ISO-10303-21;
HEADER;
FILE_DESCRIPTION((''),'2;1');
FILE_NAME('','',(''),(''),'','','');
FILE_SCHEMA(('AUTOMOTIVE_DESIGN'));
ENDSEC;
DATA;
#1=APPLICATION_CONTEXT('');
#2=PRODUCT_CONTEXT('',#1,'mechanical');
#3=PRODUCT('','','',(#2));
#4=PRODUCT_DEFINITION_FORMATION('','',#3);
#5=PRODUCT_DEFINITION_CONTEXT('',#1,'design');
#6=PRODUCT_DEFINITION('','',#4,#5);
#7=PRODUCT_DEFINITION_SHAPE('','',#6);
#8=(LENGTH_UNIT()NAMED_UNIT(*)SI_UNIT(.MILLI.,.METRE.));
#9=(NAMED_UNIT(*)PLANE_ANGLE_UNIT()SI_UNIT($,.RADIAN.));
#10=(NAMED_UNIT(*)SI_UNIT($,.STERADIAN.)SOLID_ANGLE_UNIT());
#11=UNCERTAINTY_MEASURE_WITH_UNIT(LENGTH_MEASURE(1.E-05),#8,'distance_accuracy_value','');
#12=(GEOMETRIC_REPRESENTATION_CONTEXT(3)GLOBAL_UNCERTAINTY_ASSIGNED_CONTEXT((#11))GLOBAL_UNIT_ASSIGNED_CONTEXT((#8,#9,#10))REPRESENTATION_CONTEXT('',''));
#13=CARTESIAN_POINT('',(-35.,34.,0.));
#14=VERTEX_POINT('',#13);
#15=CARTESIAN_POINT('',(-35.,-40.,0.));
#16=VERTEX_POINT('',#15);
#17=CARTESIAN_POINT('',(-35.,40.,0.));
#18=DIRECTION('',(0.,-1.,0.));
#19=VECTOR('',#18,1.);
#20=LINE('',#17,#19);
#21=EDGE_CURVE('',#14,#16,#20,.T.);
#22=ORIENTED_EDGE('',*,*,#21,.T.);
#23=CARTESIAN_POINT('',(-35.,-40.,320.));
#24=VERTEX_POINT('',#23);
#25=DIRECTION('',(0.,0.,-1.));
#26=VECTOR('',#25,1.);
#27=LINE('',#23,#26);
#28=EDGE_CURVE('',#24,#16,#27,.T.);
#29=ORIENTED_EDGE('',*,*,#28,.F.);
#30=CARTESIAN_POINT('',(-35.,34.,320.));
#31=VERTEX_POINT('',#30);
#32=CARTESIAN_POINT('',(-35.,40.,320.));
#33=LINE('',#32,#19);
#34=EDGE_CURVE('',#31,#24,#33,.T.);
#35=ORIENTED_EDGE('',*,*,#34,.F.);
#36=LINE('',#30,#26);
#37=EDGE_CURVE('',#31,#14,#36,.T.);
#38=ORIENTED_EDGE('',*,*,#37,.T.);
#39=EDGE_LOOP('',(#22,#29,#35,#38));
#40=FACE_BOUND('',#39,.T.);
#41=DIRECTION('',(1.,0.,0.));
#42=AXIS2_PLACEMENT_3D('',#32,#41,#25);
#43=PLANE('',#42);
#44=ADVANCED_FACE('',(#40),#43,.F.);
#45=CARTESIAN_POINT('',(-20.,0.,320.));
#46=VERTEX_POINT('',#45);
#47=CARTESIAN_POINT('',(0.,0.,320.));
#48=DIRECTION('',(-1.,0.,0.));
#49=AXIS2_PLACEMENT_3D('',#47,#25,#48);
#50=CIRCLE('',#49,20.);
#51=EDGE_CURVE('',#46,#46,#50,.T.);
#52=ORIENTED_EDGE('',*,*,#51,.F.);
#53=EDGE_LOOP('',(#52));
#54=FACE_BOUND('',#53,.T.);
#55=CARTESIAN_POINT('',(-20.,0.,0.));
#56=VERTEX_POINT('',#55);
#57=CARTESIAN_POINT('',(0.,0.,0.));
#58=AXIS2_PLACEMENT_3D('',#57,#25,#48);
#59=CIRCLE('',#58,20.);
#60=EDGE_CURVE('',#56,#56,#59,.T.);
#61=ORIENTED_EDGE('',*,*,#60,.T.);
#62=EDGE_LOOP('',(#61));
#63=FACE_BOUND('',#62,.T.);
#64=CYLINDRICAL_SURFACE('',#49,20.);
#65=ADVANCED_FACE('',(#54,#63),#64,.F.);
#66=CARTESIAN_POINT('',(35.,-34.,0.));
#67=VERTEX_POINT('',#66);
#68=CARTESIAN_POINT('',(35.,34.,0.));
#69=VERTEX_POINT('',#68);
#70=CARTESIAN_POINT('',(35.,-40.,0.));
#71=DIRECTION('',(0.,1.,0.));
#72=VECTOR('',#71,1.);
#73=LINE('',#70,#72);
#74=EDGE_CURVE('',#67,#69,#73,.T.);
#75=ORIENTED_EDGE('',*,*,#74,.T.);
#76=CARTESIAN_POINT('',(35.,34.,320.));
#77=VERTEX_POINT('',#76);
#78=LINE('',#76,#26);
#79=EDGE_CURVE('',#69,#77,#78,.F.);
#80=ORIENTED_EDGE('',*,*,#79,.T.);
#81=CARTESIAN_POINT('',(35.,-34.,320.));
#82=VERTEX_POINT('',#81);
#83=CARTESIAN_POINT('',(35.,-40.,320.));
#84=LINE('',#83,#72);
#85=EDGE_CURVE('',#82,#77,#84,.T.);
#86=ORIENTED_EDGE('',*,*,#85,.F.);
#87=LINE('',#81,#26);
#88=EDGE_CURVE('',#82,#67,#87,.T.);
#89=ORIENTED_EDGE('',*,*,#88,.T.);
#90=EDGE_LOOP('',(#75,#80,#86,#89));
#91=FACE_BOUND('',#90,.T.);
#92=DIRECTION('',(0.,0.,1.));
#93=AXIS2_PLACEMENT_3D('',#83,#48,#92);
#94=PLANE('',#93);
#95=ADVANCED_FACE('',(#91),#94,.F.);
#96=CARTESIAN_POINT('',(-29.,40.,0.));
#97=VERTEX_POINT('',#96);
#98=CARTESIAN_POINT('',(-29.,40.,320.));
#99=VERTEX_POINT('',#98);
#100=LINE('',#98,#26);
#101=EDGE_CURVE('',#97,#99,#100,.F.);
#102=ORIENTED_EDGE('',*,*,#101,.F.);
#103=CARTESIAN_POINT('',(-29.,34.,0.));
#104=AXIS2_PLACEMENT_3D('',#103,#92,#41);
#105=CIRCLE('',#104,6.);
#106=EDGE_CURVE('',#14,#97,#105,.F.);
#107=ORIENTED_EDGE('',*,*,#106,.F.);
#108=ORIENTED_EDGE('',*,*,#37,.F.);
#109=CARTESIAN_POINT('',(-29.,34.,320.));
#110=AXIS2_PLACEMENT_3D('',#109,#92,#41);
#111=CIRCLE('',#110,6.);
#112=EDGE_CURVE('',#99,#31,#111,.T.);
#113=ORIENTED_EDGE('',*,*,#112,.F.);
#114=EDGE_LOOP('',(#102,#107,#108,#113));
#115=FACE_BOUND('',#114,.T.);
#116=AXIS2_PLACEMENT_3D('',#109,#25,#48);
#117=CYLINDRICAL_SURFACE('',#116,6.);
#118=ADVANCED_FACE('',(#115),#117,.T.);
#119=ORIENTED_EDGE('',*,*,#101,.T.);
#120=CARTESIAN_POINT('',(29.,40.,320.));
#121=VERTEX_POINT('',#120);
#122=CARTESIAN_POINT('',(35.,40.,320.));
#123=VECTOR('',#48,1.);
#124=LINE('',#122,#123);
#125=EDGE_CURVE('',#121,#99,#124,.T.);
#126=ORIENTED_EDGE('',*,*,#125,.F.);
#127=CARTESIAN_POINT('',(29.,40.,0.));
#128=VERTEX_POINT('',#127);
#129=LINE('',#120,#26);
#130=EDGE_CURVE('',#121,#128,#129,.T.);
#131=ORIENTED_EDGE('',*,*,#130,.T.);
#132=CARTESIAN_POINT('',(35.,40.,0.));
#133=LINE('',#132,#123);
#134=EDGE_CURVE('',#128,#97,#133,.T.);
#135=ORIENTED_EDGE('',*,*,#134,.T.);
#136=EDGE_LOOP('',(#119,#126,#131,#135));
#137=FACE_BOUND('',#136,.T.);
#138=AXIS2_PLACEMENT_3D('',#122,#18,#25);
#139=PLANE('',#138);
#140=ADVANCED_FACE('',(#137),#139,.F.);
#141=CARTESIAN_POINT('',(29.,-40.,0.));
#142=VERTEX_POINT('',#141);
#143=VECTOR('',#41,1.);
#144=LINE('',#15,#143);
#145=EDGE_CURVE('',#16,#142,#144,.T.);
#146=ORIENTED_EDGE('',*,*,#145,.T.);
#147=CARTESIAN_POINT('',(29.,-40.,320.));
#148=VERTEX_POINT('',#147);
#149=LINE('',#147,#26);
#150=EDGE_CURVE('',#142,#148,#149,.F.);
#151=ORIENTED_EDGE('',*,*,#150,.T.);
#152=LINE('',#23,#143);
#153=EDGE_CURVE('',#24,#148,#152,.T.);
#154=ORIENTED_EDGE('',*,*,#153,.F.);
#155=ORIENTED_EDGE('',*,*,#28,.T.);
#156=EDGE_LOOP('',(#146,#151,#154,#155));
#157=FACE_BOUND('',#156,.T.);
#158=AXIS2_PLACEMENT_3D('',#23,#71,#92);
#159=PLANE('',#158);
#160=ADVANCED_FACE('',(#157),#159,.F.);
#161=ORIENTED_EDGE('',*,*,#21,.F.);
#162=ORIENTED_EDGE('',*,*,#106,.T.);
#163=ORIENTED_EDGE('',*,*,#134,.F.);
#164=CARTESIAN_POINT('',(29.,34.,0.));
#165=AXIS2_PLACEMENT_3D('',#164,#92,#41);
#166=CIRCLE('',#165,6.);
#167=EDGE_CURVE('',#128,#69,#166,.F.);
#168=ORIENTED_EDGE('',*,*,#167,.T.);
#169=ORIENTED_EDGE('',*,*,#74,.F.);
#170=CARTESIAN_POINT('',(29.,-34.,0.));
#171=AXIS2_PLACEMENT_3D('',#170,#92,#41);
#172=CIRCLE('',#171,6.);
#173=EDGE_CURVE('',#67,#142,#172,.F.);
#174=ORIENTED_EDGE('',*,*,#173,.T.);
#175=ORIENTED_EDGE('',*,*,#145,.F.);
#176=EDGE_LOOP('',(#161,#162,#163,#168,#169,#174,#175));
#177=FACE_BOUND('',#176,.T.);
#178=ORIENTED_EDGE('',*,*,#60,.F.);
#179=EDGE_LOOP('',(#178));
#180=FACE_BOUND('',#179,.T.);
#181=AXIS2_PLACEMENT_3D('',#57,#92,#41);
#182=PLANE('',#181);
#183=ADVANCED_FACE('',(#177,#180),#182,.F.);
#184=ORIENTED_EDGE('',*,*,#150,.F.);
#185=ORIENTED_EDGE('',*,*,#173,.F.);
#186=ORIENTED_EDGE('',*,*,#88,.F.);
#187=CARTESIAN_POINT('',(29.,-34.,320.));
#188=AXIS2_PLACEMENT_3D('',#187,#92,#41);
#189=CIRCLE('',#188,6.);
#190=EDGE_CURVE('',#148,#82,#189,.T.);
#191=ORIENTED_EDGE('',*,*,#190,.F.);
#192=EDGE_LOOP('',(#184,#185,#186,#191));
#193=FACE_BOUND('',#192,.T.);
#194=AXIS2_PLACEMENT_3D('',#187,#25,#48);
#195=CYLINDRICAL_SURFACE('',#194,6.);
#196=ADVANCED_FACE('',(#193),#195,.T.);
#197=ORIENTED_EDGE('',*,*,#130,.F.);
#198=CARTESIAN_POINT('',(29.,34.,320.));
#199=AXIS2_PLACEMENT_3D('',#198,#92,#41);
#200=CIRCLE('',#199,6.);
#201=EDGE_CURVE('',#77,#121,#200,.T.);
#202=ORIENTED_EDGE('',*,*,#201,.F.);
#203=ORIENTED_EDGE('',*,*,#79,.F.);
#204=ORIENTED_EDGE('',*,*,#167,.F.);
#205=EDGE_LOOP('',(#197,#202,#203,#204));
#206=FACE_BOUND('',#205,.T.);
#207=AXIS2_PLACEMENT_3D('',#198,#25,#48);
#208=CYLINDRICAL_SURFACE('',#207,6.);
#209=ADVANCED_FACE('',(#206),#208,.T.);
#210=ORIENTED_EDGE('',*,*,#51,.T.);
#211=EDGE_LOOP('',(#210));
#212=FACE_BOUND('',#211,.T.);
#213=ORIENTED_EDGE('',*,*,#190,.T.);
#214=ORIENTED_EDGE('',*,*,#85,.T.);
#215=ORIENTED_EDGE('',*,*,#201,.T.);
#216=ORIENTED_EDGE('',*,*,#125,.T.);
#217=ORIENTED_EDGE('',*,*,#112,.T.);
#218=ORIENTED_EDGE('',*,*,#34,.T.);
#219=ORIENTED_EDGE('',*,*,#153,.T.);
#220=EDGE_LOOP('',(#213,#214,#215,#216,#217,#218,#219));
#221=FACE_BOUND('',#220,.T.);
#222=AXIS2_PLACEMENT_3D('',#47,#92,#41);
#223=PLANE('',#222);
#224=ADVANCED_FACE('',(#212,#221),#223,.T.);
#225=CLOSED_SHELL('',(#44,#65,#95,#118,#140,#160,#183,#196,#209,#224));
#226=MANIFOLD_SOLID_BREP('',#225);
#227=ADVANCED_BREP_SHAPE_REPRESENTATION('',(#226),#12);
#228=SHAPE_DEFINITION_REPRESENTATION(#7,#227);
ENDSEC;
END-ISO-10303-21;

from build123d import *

# Parameters (mm, degrees)
SKETCH_8_W          = 70
SKETCH_8_H          = 80
EXTRUDE_1_DEPTH     = 320
SKETCH_9_R          = 20
CUT_EXTRUDE_1_DEPTH = 325.384031666
FILLET_1_R          = 6


with BuildPart() as part:
    # 草图8 → 凸台-拉伸1 (new body)
    with BuildSketch(Plane.XY):
        Rectangle(SKETCH_8_W, SKETCH_8_H)
    extrude(amount=EXTRUDE_1_DEPTH)

    # 草图9 → 切除-拉伸1 (cut, through all)
    with BuildSketch(Plane(origin=(0, 0, 0), x_dir=(-1, 0, 0), z_dir=(0, 0, -1))):
        Circle(SKETCH_9_R)
    extrude(amount=-CUT_EXTRUDE_1_DEPTH, mode=Mode.SUBTRACT)

    # 圆角1
    fillet_1_edges = [part.edges().sort_by_distance(p)[0] for p in [
        (-35, 40, 160),
        (35, 40, 160),
        (35, -40, 160),
    ]]
    fillet(fillet_1_edges, radius=FILLET_1_R)


solid = part.part
